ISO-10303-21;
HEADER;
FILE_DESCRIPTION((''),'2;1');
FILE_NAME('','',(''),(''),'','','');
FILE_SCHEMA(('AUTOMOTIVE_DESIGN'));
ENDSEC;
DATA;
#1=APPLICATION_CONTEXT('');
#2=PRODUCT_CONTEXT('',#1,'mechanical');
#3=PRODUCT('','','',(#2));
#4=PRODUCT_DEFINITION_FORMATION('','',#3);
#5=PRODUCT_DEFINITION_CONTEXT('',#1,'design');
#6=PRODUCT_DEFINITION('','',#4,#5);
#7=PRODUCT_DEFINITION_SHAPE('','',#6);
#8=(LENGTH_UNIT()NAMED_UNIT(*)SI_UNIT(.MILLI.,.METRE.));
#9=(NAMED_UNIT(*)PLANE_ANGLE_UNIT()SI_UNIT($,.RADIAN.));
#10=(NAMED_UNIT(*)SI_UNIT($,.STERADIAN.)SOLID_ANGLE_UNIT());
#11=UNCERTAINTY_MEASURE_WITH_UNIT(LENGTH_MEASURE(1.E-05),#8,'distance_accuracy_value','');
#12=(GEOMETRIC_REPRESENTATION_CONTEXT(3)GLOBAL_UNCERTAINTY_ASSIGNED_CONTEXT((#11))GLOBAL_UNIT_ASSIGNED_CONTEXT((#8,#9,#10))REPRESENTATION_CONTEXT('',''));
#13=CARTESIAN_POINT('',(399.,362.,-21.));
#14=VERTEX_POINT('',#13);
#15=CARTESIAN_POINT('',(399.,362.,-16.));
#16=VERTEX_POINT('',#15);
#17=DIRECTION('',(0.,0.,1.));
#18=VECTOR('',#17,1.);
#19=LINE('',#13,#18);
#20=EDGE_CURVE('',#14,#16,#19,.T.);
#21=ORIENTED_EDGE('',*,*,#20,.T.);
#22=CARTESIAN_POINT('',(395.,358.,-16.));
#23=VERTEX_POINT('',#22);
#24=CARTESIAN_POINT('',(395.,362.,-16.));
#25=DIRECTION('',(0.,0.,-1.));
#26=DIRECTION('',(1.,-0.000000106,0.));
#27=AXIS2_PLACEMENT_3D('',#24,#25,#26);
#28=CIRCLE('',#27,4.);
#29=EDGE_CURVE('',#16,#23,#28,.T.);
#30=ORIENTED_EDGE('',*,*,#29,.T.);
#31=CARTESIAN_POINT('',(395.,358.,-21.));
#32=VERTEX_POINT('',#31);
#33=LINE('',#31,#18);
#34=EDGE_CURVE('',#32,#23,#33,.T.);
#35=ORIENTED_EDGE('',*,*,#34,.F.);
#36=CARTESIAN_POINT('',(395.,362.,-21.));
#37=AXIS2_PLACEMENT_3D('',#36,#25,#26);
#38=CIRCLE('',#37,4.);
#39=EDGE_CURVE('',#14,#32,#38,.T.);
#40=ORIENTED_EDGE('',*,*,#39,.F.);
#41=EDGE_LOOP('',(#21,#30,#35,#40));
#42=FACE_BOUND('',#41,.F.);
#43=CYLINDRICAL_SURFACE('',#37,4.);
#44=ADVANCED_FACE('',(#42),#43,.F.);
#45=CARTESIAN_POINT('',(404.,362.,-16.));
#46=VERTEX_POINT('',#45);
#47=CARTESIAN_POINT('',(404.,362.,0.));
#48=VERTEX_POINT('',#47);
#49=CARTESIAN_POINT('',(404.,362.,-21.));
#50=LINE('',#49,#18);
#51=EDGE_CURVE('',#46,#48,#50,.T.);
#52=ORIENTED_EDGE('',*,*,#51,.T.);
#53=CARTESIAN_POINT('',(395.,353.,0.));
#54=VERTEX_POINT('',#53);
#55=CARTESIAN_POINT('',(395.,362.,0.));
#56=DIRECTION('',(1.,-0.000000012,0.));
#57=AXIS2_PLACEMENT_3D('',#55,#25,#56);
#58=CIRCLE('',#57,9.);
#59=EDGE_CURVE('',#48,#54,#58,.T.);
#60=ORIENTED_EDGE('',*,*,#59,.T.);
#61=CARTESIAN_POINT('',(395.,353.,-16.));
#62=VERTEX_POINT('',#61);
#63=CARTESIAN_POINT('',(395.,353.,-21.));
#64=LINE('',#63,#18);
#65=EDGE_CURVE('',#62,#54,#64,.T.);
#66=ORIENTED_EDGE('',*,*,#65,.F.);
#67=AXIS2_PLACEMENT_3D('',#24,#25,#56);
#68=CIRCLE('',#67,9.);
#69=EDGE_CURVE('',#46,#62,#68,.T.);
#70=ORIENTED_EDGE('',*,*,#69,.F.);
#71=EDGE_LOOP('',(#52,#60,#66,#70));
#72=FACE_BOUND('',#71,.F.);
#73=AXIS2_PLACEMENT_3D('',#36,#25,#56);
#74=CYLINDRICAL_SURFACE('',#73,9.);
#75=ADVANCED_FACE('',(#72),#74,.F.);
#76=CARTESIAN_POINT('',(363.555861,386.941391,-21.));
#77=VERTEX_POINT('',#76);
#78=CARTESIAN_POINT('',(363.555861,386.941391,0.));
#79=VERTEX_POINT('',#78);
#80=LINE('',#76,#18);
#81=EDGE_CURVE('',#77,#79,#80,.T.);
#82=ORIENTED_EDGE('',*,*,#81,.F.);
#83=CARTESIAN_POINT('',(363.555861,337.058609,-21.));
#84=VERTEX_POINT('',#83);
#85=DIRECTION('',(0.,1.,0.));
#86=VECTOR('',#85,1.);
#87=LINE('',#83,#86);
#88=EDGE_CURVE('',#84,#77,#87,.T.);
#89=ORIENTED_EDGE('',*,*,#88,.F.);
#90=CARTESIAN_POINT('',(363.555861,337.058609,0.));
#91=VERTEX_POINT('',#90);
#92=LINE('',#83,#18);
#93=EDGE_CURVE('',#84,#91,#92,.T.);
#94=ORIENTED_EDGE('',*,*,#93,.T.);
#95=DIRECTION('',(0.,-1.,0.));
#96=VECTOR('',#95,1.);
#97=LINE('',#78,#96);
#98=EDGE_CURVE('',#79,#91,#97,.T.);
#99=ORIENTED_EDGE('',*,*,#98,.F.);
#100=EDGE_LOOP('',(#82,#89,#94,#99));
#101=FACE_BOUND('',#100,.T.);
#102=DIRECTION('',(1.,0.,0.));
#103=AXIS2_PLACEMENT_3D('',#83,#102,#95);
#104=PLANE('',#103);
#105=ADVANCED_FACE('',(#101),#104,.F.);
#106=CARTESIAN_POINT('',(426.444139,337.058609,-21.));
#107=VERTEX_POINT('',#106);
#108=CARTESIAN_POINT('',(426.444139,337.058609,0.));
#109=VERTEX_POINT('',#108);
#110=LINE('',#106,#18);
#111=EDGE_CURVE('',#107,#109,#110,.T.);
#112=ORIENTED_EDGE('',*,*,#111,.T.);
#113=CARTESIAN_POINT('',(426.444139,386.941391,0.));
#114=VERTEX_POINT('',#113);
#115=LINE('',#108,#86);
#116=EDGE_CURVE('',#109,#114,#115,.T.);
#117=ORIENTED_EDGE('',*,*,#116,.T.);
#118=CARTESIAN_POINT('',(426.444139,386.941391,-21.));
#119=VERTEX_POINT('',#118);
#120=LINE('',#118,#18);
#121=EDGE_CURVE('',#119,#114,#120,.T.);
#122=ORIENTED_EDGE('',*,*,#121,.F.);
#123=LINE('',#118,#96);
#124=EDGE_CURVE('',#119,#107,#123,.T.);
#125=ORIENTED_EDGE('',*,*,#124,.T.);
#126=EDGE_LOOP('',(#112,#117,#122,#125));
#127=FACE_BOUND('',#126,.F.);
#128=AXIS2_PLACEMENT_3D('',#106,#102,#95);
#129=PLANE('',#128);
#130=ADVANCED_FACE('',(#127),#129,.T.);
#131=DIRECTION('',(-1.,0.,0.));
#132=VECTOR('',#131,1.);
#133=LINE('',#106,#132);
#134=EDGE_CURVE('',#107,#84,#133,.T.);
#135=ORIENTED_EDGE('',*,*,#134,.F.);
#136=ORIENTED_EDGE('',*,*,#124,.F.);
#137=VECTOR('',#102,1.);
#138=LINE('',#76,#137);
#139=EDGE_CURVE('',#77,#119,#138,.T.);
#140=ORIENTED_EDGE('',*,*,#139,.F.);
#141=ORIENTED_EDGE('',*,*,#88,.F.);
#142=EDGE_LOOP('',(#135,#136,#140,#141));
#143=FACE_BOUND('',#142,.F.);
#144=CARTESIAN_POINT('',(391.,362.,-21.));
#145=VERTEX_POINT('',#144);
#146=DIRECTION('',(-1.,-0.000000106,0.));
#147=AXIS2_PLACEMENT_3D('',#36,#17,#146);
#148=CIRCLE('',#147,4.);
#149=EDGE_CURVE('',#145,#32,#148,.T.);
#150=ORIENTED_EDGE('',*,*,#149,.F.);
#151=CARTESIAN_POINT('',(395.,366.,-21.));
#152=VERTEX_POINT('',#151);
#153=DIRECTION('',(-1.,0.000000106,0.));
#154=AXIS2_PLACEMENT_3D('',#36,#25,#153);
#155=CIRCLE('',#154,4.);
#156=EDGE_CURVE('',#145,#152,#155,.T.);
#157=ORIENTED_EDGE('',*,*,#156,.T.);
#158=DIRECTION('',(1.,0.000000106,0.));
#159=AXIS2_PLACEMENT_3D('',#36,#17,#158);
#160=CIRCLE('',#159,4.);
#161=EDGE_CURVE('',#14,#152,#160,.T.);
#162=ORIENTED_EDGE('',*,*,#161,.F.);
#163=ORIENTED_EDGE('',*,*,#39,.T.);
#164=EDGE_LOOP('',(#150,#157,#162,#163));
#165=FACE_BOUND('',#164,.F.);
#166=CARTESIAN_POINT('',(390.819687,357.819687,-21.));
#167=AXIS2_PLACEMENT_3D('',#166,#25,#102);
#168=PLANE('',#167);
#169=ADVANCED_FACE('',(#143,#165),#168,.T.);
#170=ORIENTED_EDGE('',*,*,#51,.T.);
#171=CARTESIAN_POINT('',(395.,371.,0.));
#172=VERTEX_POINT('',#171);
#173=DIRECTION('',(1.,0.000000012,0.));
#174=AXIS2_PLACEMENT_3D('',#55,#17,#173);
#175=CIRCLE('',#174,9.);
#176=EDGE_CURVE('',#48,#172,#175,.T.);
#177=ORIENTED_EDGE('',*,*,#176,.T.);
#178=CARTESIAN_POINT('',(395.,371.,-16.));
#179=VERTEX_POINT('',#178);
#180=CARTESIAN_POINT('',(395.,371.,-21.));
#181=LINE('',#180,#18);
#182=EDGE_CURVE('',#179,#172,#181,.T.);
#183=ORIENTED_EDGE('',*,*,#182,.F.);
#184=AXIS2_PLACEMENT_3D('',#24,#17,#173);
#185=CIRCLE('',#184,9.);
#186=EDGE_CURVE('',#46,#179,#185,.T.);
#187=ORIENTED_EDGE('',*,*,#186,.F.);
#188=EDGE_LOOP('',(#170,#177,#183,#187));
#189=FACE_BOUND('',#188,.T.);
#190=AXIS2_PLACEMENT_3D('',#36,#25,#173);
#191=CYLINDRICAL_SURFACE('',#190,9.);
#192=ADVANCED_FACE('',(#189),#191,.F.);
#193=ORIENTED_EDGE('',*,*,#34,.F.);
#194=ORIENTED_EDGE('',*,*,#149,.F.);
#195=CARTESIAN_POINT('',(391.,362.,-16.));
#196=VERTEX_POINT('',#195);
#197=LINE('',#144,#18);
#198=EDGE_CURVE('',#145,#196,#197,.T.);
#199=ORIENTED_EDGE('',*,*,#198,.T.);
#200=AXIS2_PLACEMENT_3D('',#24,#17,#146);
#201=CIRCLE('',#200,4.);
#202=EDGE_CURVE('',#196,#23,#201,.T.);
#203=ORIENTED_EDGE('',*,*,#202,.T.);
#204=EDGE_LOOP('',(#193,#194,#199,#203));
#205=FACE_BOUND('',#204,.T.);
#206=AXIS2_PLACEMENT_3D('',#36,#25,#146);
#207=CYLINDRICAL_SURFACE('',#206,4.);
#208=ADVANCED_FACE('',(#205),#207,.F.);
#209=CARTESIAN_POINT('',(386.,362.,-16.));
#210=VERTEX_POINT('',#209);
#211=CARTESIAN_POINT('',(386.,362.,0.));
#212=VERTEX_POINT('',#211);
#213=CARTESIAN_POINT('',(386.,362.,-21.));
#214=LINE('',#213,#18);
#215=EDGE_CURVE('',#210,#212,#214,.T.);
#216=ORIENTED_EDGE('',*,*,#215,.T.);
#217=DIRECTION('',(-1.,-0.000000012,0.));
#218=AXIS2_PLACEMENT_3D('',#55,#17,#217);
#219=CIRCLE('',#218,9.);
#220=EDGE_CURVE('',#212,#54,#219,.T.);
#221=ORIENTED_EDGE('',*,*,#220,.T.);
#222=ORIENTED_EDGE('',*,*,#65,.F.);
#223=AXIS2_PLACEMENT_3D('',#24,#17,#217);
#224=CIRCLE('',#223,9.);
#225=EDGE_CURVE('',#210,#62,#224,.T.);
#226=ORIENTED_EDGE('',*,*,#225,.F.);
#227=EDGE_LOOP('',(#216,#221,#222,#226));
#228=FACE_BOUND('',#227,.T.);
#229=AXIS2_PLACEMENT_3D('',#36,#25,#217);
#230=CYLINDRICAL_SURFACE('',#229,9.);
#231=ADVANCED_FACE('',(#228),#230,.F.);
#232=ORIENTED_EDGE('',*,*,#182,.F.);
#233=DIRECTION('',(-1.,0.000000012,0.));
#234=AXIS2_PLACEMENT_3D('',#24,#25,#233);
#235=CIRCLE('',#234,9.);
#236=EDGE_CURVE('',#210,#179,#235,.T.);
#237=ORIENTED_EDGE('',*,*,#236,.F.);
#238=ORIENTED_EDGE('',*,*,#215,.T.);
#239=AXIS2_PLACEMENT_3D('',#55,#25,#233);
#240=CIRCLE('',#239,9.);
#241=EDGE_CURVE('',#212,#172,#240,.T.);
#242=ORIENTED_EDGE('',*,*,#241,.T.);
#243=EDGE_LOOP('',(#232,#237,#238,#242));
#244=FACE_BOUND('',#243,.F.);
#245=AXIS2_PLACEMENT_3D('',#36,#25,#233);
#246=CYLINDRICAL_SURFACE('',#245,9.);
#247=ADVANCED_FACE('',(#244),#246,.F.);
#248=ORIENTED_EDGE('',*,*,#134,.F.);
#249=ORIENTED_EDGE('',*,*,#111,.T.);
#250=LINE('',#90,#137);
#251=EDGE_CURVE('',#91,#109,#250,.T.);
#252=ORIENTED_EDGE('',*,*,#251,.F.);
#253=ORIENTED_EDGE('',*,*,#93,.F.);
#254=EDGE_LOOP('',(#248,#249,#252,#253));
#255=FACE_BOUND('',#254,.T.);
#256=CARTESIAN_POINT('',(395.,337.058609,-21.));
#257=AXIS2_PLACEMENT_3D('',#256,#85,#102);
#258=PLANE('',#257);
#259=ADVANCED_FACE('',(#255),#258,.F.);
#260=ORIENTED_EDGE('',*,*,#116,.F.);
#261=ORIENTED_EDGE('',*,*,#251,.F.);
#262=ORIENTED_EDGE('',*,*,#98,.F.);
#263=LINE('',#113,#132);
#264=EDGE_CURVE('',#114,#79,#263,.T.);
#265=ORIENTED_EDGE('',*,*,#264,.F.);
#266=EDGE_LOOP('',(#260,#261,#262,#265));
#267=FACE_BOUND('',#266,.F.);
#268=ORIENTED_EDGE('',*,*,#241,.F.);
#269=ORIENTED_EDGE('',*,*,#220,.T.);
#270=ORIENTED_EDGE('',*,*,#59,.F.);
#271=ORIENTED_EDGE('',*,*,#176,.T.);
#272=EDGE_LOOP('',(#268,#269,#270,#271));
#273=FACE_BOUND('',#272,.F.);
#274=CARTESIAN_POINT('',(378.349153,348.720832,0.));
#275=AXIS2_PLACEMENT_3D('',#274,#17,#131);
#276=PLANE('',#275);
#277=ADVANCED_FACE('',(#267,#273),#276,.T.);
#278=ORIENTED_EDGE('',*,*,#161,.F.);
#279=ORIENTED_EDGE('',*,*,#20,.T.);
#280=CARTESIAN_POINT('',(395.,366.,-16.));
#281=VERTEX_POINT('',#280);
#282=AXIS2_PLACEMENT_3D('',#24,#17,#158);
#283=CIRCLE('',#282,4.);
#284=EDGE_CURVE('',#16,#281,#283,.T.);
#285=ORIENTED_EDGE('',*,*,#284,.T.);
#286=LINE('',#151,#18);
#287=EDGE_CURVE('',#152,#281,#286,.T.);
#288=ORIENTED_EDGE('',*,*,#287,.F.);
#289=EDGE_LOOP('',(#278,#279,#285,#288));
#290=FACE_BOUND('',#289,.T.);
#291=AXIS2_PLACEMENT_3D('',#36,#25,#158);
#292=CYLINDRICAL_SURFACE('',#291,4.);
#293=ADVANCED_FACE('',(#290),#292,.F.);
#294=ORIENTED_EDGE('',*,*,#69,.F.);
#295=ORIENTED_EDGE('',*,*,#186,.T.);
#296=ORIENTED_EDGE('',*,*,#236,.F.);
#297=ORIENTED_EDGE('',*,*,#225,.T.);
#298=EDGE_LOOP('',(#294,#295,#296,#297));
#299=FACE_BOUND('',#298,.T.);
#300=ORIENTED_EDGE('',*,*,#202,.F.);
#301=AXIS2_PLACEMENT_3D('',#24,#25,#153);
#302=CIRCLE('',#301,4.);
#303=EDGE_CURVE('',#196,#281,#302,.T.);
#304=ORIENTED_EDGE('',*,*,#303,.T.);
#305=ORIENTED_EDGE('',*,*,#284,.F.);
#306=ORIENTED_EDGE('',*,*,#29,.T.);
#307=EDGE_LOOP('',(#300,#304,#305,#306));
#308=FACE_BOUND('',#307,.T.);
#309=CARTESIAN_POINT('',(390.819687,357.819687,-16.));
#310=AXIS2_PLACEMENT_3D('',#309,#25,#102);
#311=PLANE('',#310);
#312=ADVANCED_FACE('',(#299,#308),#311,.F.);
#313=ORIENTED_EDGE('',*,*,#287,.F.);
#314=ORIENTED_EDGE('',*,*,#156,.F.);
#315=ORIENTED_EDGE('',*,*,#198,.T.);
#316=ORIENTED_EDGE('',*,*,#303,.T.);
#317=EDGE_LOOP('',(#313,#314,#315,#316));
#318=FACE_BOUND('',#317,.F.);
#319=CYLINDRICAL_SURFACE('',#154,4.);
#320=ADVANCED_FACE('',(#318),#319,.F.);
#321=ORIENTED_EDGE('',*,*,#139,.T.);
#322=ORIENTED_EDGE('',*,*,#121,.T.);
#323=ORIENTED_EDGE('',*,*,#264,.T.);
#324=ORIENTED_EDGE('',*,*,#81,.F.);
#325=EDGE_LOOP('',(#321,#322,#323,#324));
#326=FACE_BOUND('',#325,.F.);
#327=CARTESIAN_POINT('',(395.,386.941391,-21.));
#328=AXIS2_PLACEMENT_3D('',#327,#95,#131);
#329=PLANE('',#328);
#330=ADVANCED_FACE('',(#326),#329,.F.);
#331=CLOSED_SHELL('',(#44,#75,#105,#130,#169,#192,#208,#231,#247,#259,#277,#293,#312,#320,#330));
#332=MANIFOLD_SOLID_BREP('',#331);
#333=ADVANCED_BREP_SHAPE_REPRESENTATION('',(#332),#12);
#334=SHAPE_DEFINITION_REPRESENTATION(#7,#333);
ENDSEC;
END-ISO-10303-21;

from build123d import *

# Parameters (mm, degrees)
PAD_DEPTH               = 21
PAD001_DEPTH            = 5
PAD_MIRRORED_2_DEPTH    = 21
PAD001_MIRRORED_2_DEPTH = 5


with BuildPart() as part:
    # Sketch → Pad (new body)
    with BuildSketch(Plane.XY):
        with BuildLine():
            ThreePointArc((9, 0), (6.363961, 6.363961), (0, 9))
            Line((0, 9), (0, 24.941391))
            Line((0, 24.941391), (31.444139, 24.941391))
            Line((31.444139, 24.941391), (31.444139, 0))
            Line((31.444139, 0), (9, 0))
        make_face()
    pad = extrude(amount=PAD_DEPTH)

    # Sketch001 → Pad001 (join)
    with BuildSketch(Plane.XY):
        with BuildLine():
            ThreePointArc((9, 0), (6.363961, 6.363961), (0, 9))
            Line((0, 9), (0, 4))
            ThreePointArc((4, 0), (2.828427, 2.828427), (0, 4))
            Line((4, 0), (9, 0))
        make_face()
    pad001 = extrude(amount=PAD001_DEPTH)

    # Sketch Mirrored 2 → Pad Mirrored 2 (add)
    with BuildSketch(Plane(origin=(0, 0, 0), x_dir=(-1, 0, 0), z_dir=(0, 0, -1))):
        with BuildLine():
            ThreePointArc((9, 0), (6.363961, 6.363961), (0, 9))
            Line((0, 9), (0, 24.941391))
            Line((0, 24.941391), (31.444139, 24.941391))
            Line((31.444139, 24.941391), (31.444139, 0))
            Line((31.444139, 0), (9, 0))
        make_face()
    pad_mirrored_2 = extrude(amount=-PAD_MIRRORED_2_DEPTH)

    # Sketch001 Mirrored 2 → Pad001 Mirrored 2 (add)
    with BuildSketch(Plane(origin=(0, 0, 0), x_dir=(-1, 0, 0), z_dir=(0, 0, -1))):
        with BuildLine():
            ThreePointArc((9, 0), (6.363961, 6.363961), (0, 9))
            Line((0, 9), (0, 4))
            ThreePointArc((4, 0), (2.828427, 2.828427), (0, 4))
            Line((4, 0), (9, 0))
        make_face()
    pad001_mirrored_2 = extrude(amount=-PAD001_MIRRORED_2_DEPTH)

    # Mirrored001: Pad, Pad001, Pad Mirrored 2, Pad001 Mirrored 2 across Sketch H_Axis
    add(pad.mirror(Plane.ZX))
    add(pad001.mirror(Plane.ZX))
    add(pad_mirrored_2.mirror(Plane.ZX))
    add(pad001_mirrored_2.mirror(Plane.ZX))


with BuildPart() as part_1:
    # Clone placement: moved
    add(part.part.moved(Location((395, 362, -21))))


solid = part_1.part
